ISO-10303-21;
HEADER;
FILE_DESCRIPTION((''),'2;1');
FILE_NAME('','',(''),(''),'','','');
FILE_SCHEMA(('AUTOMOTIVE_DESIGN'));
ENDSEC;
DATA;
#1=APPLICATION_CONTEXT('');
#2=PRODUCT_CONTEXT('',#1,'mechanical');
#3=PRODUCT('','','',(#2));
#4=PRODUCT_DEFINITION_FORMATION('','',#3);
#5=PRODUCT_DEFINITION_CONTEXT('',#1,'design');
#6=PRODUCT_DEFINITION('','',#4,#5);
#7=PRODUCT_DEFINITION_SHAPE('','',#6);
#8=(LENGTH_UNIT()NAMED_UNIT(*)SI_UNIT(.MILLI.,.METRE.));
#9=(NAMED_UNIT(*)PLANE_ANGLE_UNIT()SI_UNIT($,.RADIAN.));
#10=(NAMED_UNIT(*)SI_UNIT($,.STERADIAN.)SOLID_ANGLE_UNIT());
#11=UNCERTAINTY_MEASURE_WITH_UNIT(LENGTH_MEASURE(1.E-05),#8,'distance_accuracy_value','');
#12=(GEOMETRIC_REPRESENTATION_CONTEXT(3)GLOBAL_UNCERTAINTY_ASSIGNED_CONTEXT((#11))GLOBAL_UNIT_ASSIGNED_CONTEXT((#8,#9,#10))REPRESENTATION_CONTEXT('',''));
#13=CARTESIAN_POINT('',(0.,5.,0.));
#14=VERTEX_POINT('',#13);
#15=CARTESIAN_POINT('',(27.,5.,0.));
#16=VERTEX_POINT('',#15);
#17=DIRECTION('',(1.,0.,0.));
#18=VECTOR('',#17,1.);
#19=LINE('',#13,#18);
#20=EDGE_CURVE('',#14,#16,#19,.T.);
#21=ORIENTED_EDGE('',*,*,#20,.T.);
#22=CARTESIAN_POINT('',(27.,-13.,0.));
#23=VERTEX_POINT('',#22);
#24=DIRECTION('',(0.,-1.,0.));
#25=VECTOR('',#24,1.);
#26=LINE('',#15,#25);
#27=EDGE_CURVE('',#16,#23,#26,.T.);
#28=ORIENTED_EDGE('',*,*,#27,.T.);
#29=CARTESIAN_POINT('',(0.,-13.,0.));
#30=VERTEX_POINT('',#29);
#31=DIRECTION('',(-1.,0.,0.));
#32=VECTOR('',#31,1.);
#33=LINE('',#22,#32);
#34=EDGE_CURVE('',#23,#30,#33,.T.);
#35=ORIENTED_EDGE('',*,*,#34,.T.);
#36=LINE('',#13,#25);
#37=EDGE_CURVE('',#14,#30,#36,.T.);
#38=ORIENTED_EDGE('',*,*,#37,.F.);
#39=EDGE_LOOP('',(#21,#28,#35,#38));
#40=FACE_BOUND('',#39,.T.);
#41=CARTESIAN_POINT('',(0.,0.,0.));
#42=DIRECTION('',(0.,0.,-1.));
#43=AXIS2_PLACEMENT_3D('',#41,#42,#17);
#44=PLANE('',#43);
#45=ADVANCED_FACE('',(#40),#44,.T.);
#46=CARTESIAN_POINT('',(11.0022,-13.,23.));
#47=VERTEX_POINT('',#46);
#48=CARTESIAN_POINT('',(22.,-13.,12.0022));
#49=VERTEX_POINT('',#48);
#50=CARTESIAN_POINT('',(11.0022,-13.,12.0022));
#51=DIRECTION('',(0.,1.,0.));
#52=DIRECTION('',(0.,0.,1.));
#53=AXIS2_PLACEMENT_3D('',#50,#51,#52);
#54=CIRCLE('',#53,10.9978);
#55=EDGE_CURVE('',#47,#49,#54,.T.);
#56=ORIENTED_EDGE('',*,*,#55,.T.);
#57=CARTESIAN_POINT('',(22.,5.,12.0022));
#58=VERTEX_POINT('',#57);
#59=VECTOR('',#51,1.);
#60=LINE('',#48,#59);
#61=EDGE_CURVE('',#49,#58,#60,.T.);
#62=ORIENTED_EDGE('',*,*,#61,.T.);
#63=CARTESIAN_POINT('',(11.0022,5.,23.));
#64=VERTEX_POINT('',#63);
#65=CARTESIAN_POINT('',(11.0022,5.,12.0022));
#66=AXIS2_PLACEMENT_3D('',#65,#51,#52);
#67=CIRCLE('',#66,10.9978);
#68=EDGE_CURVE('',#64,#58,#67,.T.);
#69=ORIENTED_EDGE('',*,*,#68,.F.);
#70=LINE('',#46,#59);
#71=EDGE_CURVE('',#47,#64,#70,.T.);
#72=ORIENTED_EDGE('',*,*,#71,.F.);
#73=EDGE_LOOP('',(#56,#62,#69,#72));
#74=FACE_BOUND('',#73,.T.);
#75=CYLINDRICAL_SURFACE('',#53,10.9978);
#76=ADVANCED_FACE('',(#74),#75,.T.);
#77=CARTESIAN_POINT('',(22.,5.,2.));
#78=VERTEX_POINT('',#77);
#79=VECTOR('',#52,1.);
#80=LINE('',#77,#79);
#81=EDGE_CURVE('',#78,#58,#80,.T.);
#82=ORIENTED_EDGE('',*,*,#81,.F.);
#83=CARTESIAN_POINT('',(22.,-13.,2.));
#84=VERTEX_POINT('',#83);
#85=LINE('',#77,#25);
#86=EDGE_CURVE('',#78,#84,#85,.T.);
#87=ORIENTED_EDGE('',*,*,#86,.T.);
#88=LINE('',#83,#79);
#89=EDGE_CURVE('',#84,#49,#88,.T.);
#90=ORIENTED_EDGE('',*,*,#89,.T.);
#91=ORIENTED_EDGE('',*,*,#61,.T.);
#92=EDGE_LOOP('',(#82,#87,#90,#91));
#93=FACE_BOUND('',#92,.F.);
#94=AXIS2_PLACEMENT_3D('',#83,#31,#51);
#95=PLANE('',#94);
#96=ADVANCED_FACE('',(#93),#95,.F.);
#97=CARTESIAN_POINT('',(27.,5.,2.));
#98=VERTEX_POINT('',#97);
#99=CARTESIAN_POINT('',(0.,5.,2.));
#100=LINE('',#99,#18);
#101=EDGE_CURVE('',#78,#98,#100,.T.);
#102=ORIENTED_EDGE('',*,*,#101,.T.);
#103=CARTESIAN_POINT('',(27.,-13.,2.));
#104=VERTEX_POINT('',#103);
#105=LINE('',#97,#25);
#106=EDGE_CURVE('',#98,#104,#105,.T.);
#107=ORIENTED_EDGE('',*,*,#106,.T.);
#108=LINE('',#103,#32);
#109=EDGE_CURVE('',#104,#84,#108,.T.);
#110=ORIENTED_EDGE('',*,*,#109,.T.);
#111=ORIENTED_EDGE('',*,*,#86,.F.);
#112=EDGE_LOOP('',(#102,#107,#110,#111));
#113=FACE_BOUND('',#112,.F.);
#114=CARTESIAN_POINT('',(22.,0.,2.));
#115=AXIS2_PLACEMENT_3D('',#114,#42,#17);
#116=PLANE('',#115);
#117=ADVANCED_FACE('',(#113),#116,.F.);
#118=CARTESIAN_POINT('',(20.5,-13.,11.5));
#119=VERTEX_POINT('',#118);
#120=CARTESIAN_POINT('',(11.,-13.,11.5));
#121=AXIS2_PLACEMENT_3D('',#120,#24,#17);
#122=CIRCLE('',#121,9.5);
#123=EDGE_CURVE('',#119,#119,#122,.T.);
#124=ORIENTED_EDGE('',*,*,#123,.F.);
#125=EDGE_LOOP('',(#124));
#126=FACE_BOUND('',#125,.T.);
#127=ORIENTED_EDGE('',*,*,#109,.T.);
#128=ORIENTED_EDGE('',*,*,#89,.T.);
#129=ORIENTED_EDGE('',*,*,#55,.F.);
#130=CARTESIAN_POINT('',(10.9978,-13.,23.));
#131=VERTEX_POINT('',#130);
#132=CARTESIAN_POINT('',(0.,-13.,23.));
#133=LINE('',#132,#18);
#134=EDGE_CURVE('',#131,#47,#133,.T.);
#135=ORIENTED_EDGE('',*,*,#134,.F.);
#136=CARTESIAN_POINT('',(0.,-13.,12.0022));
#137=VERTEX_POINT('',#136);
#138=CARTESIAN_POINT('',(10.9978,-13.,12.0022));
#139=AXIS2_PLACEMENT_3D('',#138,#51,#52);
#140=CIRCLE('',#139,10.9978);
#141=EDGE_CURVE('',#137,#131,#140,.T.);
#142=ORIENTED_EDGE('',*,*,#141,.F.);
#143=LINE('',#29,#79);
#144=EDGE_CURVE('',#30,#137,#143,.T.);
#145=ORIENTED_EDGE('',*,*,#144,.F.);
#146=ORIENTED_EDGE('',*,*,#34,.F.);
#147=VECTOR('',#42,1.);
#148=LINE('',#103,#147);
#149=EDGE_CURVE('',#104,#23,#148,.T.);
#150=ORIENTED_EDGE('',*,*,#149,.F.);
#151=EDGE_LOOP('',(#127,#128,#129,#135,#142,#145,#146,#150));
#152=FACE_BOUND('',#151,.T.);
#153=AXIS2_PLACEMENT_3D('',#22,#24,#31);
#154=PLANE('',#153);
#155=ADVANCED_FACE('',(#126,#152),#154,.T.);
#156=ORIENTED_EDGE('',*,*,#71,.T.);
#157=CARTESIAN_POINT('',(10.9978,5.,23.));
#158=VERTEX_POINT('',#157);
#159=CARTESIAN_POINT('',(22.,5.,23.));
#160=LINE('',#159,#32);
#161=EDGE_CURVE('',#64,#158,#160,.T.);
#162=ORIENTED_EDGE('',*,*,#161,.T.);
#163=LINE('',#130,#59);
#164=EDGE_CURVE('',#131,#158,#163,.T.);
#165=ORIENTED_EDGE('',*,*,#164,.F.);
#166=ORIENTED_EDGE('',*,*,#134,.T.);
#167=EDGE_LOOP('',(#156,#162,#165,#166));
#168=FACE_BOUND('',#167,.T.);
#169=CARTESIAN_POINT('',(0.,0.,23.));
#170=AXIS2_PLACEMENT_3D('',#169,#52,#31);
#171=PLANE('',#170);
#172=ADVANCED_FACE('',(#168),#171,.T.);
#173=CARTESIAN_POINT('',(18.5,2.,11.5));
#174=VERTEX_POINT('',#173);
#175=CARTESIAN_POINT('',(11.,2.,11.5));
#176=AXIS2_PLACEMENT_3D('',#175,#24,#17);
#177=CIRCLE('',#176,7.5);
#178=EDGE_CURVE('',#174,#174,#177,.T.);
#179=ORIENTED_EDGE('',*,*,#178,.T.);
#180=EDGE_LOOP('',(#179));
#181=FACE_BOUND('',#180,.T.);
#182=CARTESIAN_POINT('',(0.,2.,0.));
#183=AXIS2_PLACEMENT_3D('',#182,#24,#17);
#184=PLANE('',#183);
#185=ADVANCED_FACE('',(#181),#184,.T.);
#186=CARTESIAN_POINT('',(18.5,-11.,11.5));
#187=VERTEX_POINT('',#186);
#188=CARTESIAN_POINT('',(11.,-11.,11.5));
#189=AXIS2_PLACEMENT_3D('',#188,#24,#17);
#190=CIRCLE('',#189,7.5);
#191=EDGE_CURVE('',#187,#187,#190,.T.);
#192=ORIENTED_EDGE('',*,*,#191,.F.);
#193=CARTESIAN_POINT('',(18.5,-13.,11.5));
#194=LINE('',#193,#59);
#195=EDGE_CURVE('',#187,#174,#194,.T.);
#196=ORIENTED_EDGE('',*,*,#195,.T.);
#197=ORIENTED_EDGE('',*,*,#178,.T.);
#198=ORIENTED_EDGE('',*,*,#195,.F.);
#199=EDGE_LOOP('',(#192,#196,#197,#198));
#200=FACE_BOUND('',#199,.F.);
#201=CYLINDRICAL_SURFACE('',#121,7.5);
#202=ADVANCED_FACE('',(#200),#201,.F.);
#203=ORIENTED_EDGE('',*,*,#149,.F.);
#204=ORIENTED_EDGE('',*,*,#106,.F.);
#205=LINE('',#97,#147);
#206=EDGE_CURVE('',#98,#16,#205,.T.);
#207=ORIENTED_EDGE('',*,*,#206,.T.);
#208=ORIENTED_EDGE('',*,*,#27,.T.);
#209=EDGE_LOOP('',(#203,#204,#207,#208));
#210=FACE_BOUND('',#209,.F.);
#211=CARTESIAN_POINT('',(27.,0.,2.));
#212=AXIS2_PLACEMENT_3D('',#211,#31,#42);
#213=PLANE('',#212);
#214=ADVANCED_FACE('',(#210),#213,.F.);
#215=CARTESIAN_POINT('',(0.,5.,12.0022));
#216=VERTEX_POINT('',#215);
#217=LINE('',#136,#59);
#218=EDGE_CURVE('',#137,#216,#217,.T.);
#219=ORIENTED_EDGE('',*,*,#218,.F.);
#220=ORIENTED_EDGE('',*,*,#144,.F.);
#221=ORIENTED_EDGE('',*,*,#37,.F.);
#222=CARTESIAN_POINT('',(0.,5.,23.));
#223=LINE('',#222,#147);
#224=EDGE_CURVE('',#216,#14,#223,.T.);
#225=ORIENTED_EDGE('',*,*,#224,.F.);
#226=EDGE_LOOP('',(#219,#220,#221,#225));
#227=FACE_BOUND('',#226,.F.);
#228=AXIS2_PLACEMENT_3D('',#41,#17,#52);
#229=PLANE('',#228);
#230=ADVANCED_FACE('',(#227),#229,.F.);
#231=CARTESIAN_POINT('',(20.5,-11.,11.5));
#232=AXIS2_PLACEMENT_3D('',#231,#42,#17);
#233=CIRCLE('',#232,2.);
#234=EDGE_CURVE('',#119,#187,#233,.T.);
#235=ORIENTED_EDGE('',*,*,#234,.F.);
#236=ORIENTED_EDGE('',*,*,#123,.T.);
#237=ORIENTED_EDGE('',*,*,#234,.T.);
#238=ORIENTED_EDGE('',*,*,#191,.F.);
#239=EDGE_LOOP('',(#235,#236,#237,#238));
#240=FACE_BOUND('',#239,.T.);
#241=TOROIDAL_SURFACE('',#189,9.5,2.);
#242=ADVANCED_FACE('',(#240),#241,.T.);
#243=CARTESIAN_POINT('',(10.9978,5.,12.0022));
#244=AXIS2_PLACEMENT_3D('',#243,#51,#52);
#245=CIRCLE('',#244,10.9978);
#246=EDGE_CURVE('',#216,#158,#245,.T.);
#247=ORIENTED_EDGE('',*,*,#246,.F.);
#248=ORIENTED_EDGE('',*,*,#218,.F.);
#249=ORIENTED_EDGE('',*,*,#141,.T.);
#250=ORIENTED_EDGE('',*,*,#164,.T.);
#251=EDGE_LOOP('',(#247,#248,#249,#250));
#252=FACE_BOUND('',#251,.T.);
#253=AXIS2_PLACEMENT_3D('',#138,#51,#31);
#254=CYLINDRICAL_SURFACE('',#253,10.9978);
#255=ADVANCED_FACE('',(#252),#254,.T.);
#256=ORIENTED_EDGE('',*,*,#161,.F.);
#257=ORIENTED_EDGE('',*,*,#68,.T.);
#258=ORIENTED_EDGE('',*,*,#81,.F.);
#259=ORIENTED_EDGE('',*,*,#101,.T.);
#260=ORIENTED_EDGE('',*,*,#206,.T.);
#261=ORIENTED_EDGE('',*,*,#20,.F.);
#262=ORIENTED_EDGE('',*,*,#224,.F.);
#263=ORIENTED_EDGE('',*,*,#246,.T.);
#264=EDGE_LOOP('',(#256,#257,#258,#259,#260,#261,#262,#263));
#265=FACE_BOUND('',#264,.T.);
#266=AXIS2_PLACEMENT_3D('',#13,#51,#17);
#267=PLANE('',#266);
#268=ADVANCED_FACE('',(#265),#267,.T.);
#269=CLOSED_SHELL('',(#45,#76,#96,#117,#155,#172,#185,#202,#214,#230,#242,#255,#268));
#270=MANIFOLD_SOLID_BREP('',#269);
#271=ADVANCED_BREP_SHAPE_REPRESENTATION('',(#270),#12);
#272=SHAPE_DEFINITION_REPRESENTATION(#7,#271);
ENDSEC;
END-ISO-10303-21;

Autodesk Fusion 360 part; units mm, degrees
sketch "Sketch1" plane through (0, 0, 0) normal (0, 0, 1) x (1, 0, 0)
  line L0 (0, 0) -> (27, 0)
  line L1 (27, 0) -> (27, -13)
  line L2 (27, -13) -> (0, -13)
  line L3 (0, -13) -> (0, 0)
  dimension "d1" = 27
  dimension "d2" = 13
extrude "Extrude1" add sketch "Sketch1" along normal blind 0.5
extrude "Extrude2" add 1 faces at (9, -8.6667, 0.5) along direction (0, 0, 1) blind 1.5
sketch "Sketch2" plane through (0, 0, 2) normal (0, 0, 1) x (-1, 0, 0)
  line L0 (0, 13) -> (-27, 13)
  line L1 (-27, 13) -> (-27, 0)
  line L2 (-27, 0) -> (0, 0)
  line L3 (0, 0) -> (0, 13)
  line L4 (0, 13) -> (-22, 13)
  line L5 (-22, 13) -> (-22, -5)
  line L6 (-22, -5) -> (0, -5)
  line L7 (0, -5) -> (0, 13)
  dimension "d7" = 22
  dimension "d8" = 18
extrude "Extrude3" add sketch "Sketch2" along normal blind 21 contours L0 L2 L3 L4 L5 L7 | L2 L5 L6 L7
extrude "Extrude4" add 1 faces at (16.3333, 0, 0.6667) along direction (0, 1, 0) blind 5
sketch "Sketch3" plane through (0, -13, 0) normal (0, -1, 0) x (1, 0, 0)
  line L0 (0, 0) -> (27, 0)
  line L1 (27, 0) -> (27, 2)
  line L2 (27, 2) -> (22, 2)
  line L3 (22, 2) -> (22, 23)
  line L4 (22, 23) -> (0, 23)
  line L5 (0, 23) -> (0, 0)
  circle A0 centre (11, 11.5) radius 7.5
  line L6 (0, 2) -> (22, 2) construction
  line L7 (27.4979, -2) -> (0.4979, -2) construction
  line L8 (-1.5021, 4) -> (29.4979, 4) construction
  dimension "d13" = 15
  dimension "d14" = 6
  dimension "d15" = 7.5
  dimension "d16" = 11
extrude "Extrude5" cut sketch "Sketch3" against normal blind 15 contours A0
fillet "Fillet1" radius 11 2 edges at (22, -4, 23) (0, -4, 23)
fillet "Fillet2" radius 2 1 edges at (4.0075, -13, 14.2121)
